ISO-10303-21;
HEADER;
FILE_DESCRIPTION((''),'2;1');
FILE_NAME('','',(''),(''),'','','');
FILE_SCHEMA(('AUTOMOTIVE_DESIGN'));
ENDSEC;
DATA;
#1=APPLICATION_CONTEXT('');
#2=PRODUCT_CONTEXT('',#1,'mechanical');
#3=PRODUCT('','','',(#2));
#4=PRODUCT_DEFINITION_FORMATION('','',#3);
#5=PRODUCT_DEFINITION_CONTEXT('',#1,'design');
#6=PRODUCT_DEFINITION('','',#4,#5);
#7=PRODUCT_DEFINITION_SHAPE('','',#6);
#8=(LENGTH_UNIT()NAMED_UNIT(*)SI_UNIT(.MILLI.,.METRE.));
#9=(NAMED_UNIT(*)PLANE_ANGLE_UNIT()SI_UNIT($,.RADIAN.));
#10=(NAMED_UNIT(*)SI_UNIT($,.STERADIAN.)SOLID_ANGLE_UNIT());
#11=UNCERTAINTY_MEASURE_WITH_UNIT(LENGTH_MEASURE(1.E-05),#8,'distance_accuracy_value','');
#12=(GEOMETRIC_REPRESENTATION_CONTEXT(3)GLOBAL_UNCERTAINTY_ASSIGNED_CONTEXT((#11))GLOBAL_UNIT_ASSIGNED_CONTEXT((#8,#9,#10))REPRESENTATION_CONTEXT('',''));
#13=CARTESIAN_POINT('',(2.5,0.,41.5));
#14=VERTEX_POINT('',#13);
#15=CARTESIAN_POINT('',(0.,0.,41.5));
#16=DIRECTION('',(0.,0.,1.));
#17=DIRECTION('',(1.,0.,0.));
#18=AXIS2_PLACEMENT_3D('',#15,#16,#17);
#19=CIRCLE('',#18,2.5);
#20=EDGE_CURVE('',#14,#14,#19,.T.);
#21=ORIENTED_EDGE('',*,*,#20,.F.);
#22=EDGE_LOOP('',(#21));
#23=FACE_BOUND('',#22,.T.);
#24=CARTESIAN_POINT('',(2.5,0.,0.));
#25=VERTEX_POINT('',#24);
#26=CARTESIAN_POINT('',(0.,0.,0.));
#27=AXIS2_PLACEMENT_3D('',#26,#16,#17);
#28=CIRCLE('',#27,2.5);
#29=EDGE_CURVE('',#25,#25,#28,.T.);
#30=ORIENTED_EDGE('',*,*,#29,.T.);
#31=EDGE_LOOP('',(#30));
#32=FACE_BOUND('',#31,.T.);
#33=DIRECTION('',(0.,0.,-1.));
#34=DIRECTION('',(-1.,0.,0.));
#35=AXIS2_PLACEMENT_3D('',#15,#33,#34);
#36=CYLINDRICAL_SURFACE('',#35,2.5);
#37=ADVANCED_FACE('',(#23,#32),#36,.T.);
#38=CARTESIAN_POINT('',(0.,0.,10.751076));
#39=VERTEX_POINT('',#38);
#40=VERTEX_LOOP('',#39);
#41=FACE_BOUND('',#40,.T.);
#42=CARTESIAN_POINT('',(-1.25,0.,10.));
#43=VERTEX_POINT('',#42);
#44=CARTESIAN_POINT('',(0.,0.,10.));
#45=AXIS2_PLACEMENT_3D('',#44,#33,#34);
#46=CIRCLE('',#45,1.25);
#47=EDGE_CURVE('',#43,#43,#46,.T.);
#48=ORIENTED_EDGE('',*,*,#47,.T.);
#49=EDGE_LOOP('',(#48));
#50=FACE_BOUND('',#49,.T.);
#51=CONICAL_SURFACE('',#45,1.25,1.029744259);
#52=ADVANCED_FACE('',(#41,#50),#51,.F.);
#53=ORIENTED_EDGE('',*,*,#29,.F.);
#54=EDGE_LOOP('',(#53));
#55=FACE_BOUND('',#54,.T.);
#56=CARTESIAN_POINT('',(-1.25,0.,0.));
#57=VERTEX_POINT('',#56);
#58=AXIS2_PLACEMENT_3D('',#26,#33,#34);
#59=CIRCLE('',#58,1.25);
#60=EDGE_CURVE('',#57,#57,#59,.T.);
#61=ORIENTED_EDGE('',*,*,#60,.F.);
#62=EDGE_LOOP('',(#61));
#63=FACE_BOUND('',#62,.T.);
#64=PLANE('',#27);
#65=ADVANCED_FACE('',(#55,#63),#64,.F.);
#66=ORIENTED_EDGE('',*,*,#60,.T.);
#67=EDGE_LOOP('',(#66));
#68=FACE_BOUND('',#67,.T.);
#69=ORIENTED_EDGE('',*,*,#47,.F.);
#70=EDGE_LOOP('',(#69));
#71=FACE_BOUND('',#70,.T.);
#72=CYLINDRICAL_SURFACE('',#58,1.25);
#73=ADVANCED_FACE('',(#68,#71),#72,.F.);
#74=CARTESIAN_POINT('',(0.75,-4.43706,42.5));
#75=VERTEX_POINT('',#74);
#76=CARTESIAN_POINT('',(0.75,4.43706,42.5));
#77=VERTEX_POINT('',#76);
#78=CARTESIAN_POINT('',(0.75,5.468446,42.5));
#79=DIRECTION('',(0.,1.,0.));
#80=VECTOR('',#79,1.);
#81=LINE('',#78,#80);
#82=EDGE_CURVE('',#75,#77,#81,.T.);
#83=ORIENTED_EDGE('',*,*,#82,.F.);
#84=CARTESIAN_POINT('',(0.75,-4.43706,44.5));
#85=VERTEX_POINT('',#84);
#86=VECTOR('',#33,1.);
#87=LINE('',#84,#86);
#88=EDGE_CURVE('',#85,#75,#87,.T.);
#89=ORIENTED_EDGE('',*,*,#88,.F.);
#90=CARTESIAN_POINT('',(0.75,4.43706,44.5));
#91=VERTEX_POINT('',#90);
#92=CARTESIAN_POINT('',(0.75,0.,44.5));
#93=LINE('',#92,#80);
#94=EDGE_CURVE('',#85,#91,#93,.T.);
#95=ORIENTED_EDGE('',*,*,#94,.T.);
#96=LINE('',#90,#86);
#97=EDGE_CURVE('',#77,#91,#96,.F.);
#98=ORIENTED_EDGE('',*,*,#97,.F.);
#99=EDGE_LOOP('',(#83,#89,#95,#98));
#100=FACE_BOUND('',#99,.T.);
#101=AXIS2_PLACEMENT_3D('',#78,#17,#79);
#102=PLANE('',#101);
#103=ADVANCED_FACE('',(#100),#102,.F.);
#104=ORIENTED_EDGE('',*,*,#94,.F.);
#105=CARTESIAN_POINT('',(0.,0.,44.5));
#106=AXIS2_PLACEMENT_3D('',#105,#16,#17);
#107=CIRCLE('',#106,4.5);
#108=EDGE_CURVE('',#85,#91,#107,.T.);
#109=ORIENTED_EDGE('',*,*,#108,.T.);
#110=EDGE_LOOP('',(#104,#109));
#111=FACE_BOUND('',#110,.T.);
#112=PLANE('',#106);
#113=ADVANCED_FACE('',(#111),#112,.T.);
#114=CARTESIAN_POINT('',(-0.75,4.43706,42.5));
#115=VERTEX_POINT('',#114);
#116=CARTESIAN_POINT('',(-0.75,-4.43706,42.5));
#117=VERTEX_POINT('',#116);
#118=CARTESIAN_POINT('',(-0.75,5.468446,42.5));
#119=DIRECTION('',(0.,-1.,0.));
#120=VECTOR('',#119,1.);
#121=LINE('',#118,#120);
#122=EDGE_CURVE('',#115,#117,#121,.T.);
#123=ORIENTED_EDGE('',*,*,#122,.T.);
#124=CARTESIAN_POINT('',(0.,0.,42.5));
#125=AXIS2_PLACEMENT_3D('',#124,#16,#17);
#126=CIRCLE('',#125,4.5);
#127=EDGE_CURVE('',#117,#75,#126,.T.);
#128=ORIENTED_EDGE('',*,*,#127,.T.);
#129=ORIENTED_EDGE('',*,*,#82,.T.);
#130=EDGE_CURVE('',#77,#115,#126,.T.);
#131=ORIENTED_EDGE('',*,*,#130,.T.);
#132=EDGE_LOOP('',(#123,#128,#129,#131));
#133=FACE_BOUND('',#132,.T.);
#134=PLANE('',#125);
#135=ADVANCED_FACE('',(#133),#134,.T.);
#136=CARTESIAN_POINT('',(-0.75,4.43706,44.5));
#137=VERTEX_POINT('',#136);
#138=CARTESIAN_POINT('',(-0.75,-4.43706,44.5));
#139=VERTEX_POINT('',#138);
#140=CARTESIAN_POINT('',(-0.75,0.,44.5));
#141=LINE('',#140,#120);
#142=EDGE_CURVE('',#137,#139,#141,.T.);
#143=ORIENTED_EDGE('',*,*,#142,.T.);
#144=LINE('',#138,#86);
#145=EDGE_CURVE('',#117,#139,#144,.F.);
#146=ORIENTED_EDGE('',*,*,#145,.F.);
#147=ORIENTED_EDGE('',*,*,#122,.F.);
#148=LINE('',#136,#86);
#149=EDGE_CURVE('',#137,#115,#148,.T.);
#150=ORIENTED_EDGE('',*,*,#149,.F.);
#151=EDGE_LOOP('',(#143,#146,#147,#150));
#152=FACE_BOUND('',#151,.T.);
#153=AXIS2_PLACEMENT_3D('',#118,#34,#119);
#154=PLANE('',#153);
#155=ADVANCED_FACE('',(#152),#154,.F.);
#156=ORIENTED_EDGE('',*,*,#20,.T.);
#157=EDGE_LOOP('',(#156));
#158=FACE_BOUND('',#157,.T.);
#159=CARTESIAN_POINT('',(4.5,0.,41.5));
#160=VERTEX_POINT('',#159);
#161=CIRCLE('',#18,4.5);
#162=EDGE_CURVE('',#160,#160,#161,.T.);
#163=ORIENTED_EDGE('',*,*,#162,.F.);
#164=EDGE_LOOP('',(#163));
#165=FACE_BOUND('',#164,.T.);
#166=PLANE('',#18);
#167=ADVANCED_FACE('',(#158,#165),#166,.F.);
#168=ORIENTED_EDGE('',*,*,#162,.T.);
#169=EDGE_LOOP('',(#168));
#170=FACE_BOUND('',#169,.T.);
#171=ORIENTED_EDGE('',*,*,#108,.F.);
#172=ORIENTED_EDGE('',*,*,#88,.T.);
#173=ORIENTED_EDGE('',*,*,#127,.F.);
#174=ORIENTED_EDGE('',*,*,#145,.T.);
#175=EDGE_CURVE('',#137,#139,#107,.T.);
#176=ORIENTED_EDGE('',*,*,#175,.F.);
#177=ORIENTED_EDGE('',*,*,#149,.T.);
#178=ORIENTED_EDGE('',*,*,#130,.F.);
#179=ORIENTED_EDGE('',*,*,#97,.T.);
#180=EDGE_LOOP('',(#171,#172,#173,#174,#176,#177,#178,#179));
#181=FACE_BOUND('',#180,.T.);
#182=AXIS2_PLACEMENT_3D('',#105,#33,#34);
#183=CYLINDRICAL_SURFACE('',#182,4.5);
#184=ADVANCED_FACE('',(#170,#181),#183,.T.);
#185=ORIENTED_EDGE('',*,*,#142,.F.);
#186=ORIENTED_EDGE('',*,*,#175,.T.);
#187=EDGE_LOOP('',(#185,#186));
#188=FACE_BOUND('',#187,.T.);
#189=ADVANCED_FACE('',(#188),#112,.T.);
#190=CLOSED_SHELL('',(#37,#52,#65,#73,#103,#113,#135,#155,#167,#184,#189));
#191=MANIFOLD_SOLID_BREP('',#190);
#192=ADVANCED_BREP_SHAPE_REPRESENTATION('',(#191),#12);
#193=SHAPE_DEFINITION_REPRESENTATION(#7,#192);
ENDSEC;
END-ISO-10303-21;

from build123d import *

# Parameters (mm, degrees)
SKETCH_1_R             = 2.5
EXTRUDE_1_DEPTH        = 41.5
SKETCH_2_R             = 4.5
EXTRUDE_2_DEPTH        = 3
SKETCH_4_W             = 1.5
SKETCH_4_H             = 10.936891942
CUT_EXTRUDE_1_DEPTH    = 2
HOLE_WIZARD_M3_1_D     = 2.5
HOLE_WIZARD_M3_1_DEPTH = 10
HOLE_WIZARD_M3_1_TIP   = 0.751075774


with BuildPart() as part:
    # 草图1 → 凸台-拉伸1 (new body)
    with BuildSketch(Plane.XY):
        Circle(SKETCH_1_R)
    extrude(amount=EXTRUDE_1_DEPTH)

    # 草图2 → 凸台-拉伸2 (add)
    with BuildSketch(Plane.XY.offset(41.5)):
        Circle(SKETCH_2_R)
    extrude(amount=EXTRUDE_2_DEPTH)

    # 草图4 → 切除-拉伸1 (cut)
    with BuildSketch(Plane.XY.offset(44.5)):
        Rectangle(SKETCH_4_W, SKETCH_4_H)
    extrude(amount=-CUT_EXTRUDE_1_DEPTH, mode=Mode.SUBTRACT)

    # M3 螺纹孔的螺纹孔钻头1
    with Locations(Plane(origin=(0, 0, 0), x_dir=(-1, 0, 0), z_dir=(0, 0, -1))):
        with Locations((0, 0)):
            Hole(HOLE_WIZARD_M3_1_D / 2, depth=HOLE_WIZARD_M3_1_DEPTH)
            with Locations((0, 0, -(HOLE_WIZARD_M3_1_DEPTH + HOLE_WIZARD_M3_1_TIP / 2))):  # 118° drill point
                Cone(0, HOLE_WIZARD_M3_1_D / 2, HOLE_WIZARD_M3_1_TIP, mode=Mode.SUBTRACT)


solid = part.part
